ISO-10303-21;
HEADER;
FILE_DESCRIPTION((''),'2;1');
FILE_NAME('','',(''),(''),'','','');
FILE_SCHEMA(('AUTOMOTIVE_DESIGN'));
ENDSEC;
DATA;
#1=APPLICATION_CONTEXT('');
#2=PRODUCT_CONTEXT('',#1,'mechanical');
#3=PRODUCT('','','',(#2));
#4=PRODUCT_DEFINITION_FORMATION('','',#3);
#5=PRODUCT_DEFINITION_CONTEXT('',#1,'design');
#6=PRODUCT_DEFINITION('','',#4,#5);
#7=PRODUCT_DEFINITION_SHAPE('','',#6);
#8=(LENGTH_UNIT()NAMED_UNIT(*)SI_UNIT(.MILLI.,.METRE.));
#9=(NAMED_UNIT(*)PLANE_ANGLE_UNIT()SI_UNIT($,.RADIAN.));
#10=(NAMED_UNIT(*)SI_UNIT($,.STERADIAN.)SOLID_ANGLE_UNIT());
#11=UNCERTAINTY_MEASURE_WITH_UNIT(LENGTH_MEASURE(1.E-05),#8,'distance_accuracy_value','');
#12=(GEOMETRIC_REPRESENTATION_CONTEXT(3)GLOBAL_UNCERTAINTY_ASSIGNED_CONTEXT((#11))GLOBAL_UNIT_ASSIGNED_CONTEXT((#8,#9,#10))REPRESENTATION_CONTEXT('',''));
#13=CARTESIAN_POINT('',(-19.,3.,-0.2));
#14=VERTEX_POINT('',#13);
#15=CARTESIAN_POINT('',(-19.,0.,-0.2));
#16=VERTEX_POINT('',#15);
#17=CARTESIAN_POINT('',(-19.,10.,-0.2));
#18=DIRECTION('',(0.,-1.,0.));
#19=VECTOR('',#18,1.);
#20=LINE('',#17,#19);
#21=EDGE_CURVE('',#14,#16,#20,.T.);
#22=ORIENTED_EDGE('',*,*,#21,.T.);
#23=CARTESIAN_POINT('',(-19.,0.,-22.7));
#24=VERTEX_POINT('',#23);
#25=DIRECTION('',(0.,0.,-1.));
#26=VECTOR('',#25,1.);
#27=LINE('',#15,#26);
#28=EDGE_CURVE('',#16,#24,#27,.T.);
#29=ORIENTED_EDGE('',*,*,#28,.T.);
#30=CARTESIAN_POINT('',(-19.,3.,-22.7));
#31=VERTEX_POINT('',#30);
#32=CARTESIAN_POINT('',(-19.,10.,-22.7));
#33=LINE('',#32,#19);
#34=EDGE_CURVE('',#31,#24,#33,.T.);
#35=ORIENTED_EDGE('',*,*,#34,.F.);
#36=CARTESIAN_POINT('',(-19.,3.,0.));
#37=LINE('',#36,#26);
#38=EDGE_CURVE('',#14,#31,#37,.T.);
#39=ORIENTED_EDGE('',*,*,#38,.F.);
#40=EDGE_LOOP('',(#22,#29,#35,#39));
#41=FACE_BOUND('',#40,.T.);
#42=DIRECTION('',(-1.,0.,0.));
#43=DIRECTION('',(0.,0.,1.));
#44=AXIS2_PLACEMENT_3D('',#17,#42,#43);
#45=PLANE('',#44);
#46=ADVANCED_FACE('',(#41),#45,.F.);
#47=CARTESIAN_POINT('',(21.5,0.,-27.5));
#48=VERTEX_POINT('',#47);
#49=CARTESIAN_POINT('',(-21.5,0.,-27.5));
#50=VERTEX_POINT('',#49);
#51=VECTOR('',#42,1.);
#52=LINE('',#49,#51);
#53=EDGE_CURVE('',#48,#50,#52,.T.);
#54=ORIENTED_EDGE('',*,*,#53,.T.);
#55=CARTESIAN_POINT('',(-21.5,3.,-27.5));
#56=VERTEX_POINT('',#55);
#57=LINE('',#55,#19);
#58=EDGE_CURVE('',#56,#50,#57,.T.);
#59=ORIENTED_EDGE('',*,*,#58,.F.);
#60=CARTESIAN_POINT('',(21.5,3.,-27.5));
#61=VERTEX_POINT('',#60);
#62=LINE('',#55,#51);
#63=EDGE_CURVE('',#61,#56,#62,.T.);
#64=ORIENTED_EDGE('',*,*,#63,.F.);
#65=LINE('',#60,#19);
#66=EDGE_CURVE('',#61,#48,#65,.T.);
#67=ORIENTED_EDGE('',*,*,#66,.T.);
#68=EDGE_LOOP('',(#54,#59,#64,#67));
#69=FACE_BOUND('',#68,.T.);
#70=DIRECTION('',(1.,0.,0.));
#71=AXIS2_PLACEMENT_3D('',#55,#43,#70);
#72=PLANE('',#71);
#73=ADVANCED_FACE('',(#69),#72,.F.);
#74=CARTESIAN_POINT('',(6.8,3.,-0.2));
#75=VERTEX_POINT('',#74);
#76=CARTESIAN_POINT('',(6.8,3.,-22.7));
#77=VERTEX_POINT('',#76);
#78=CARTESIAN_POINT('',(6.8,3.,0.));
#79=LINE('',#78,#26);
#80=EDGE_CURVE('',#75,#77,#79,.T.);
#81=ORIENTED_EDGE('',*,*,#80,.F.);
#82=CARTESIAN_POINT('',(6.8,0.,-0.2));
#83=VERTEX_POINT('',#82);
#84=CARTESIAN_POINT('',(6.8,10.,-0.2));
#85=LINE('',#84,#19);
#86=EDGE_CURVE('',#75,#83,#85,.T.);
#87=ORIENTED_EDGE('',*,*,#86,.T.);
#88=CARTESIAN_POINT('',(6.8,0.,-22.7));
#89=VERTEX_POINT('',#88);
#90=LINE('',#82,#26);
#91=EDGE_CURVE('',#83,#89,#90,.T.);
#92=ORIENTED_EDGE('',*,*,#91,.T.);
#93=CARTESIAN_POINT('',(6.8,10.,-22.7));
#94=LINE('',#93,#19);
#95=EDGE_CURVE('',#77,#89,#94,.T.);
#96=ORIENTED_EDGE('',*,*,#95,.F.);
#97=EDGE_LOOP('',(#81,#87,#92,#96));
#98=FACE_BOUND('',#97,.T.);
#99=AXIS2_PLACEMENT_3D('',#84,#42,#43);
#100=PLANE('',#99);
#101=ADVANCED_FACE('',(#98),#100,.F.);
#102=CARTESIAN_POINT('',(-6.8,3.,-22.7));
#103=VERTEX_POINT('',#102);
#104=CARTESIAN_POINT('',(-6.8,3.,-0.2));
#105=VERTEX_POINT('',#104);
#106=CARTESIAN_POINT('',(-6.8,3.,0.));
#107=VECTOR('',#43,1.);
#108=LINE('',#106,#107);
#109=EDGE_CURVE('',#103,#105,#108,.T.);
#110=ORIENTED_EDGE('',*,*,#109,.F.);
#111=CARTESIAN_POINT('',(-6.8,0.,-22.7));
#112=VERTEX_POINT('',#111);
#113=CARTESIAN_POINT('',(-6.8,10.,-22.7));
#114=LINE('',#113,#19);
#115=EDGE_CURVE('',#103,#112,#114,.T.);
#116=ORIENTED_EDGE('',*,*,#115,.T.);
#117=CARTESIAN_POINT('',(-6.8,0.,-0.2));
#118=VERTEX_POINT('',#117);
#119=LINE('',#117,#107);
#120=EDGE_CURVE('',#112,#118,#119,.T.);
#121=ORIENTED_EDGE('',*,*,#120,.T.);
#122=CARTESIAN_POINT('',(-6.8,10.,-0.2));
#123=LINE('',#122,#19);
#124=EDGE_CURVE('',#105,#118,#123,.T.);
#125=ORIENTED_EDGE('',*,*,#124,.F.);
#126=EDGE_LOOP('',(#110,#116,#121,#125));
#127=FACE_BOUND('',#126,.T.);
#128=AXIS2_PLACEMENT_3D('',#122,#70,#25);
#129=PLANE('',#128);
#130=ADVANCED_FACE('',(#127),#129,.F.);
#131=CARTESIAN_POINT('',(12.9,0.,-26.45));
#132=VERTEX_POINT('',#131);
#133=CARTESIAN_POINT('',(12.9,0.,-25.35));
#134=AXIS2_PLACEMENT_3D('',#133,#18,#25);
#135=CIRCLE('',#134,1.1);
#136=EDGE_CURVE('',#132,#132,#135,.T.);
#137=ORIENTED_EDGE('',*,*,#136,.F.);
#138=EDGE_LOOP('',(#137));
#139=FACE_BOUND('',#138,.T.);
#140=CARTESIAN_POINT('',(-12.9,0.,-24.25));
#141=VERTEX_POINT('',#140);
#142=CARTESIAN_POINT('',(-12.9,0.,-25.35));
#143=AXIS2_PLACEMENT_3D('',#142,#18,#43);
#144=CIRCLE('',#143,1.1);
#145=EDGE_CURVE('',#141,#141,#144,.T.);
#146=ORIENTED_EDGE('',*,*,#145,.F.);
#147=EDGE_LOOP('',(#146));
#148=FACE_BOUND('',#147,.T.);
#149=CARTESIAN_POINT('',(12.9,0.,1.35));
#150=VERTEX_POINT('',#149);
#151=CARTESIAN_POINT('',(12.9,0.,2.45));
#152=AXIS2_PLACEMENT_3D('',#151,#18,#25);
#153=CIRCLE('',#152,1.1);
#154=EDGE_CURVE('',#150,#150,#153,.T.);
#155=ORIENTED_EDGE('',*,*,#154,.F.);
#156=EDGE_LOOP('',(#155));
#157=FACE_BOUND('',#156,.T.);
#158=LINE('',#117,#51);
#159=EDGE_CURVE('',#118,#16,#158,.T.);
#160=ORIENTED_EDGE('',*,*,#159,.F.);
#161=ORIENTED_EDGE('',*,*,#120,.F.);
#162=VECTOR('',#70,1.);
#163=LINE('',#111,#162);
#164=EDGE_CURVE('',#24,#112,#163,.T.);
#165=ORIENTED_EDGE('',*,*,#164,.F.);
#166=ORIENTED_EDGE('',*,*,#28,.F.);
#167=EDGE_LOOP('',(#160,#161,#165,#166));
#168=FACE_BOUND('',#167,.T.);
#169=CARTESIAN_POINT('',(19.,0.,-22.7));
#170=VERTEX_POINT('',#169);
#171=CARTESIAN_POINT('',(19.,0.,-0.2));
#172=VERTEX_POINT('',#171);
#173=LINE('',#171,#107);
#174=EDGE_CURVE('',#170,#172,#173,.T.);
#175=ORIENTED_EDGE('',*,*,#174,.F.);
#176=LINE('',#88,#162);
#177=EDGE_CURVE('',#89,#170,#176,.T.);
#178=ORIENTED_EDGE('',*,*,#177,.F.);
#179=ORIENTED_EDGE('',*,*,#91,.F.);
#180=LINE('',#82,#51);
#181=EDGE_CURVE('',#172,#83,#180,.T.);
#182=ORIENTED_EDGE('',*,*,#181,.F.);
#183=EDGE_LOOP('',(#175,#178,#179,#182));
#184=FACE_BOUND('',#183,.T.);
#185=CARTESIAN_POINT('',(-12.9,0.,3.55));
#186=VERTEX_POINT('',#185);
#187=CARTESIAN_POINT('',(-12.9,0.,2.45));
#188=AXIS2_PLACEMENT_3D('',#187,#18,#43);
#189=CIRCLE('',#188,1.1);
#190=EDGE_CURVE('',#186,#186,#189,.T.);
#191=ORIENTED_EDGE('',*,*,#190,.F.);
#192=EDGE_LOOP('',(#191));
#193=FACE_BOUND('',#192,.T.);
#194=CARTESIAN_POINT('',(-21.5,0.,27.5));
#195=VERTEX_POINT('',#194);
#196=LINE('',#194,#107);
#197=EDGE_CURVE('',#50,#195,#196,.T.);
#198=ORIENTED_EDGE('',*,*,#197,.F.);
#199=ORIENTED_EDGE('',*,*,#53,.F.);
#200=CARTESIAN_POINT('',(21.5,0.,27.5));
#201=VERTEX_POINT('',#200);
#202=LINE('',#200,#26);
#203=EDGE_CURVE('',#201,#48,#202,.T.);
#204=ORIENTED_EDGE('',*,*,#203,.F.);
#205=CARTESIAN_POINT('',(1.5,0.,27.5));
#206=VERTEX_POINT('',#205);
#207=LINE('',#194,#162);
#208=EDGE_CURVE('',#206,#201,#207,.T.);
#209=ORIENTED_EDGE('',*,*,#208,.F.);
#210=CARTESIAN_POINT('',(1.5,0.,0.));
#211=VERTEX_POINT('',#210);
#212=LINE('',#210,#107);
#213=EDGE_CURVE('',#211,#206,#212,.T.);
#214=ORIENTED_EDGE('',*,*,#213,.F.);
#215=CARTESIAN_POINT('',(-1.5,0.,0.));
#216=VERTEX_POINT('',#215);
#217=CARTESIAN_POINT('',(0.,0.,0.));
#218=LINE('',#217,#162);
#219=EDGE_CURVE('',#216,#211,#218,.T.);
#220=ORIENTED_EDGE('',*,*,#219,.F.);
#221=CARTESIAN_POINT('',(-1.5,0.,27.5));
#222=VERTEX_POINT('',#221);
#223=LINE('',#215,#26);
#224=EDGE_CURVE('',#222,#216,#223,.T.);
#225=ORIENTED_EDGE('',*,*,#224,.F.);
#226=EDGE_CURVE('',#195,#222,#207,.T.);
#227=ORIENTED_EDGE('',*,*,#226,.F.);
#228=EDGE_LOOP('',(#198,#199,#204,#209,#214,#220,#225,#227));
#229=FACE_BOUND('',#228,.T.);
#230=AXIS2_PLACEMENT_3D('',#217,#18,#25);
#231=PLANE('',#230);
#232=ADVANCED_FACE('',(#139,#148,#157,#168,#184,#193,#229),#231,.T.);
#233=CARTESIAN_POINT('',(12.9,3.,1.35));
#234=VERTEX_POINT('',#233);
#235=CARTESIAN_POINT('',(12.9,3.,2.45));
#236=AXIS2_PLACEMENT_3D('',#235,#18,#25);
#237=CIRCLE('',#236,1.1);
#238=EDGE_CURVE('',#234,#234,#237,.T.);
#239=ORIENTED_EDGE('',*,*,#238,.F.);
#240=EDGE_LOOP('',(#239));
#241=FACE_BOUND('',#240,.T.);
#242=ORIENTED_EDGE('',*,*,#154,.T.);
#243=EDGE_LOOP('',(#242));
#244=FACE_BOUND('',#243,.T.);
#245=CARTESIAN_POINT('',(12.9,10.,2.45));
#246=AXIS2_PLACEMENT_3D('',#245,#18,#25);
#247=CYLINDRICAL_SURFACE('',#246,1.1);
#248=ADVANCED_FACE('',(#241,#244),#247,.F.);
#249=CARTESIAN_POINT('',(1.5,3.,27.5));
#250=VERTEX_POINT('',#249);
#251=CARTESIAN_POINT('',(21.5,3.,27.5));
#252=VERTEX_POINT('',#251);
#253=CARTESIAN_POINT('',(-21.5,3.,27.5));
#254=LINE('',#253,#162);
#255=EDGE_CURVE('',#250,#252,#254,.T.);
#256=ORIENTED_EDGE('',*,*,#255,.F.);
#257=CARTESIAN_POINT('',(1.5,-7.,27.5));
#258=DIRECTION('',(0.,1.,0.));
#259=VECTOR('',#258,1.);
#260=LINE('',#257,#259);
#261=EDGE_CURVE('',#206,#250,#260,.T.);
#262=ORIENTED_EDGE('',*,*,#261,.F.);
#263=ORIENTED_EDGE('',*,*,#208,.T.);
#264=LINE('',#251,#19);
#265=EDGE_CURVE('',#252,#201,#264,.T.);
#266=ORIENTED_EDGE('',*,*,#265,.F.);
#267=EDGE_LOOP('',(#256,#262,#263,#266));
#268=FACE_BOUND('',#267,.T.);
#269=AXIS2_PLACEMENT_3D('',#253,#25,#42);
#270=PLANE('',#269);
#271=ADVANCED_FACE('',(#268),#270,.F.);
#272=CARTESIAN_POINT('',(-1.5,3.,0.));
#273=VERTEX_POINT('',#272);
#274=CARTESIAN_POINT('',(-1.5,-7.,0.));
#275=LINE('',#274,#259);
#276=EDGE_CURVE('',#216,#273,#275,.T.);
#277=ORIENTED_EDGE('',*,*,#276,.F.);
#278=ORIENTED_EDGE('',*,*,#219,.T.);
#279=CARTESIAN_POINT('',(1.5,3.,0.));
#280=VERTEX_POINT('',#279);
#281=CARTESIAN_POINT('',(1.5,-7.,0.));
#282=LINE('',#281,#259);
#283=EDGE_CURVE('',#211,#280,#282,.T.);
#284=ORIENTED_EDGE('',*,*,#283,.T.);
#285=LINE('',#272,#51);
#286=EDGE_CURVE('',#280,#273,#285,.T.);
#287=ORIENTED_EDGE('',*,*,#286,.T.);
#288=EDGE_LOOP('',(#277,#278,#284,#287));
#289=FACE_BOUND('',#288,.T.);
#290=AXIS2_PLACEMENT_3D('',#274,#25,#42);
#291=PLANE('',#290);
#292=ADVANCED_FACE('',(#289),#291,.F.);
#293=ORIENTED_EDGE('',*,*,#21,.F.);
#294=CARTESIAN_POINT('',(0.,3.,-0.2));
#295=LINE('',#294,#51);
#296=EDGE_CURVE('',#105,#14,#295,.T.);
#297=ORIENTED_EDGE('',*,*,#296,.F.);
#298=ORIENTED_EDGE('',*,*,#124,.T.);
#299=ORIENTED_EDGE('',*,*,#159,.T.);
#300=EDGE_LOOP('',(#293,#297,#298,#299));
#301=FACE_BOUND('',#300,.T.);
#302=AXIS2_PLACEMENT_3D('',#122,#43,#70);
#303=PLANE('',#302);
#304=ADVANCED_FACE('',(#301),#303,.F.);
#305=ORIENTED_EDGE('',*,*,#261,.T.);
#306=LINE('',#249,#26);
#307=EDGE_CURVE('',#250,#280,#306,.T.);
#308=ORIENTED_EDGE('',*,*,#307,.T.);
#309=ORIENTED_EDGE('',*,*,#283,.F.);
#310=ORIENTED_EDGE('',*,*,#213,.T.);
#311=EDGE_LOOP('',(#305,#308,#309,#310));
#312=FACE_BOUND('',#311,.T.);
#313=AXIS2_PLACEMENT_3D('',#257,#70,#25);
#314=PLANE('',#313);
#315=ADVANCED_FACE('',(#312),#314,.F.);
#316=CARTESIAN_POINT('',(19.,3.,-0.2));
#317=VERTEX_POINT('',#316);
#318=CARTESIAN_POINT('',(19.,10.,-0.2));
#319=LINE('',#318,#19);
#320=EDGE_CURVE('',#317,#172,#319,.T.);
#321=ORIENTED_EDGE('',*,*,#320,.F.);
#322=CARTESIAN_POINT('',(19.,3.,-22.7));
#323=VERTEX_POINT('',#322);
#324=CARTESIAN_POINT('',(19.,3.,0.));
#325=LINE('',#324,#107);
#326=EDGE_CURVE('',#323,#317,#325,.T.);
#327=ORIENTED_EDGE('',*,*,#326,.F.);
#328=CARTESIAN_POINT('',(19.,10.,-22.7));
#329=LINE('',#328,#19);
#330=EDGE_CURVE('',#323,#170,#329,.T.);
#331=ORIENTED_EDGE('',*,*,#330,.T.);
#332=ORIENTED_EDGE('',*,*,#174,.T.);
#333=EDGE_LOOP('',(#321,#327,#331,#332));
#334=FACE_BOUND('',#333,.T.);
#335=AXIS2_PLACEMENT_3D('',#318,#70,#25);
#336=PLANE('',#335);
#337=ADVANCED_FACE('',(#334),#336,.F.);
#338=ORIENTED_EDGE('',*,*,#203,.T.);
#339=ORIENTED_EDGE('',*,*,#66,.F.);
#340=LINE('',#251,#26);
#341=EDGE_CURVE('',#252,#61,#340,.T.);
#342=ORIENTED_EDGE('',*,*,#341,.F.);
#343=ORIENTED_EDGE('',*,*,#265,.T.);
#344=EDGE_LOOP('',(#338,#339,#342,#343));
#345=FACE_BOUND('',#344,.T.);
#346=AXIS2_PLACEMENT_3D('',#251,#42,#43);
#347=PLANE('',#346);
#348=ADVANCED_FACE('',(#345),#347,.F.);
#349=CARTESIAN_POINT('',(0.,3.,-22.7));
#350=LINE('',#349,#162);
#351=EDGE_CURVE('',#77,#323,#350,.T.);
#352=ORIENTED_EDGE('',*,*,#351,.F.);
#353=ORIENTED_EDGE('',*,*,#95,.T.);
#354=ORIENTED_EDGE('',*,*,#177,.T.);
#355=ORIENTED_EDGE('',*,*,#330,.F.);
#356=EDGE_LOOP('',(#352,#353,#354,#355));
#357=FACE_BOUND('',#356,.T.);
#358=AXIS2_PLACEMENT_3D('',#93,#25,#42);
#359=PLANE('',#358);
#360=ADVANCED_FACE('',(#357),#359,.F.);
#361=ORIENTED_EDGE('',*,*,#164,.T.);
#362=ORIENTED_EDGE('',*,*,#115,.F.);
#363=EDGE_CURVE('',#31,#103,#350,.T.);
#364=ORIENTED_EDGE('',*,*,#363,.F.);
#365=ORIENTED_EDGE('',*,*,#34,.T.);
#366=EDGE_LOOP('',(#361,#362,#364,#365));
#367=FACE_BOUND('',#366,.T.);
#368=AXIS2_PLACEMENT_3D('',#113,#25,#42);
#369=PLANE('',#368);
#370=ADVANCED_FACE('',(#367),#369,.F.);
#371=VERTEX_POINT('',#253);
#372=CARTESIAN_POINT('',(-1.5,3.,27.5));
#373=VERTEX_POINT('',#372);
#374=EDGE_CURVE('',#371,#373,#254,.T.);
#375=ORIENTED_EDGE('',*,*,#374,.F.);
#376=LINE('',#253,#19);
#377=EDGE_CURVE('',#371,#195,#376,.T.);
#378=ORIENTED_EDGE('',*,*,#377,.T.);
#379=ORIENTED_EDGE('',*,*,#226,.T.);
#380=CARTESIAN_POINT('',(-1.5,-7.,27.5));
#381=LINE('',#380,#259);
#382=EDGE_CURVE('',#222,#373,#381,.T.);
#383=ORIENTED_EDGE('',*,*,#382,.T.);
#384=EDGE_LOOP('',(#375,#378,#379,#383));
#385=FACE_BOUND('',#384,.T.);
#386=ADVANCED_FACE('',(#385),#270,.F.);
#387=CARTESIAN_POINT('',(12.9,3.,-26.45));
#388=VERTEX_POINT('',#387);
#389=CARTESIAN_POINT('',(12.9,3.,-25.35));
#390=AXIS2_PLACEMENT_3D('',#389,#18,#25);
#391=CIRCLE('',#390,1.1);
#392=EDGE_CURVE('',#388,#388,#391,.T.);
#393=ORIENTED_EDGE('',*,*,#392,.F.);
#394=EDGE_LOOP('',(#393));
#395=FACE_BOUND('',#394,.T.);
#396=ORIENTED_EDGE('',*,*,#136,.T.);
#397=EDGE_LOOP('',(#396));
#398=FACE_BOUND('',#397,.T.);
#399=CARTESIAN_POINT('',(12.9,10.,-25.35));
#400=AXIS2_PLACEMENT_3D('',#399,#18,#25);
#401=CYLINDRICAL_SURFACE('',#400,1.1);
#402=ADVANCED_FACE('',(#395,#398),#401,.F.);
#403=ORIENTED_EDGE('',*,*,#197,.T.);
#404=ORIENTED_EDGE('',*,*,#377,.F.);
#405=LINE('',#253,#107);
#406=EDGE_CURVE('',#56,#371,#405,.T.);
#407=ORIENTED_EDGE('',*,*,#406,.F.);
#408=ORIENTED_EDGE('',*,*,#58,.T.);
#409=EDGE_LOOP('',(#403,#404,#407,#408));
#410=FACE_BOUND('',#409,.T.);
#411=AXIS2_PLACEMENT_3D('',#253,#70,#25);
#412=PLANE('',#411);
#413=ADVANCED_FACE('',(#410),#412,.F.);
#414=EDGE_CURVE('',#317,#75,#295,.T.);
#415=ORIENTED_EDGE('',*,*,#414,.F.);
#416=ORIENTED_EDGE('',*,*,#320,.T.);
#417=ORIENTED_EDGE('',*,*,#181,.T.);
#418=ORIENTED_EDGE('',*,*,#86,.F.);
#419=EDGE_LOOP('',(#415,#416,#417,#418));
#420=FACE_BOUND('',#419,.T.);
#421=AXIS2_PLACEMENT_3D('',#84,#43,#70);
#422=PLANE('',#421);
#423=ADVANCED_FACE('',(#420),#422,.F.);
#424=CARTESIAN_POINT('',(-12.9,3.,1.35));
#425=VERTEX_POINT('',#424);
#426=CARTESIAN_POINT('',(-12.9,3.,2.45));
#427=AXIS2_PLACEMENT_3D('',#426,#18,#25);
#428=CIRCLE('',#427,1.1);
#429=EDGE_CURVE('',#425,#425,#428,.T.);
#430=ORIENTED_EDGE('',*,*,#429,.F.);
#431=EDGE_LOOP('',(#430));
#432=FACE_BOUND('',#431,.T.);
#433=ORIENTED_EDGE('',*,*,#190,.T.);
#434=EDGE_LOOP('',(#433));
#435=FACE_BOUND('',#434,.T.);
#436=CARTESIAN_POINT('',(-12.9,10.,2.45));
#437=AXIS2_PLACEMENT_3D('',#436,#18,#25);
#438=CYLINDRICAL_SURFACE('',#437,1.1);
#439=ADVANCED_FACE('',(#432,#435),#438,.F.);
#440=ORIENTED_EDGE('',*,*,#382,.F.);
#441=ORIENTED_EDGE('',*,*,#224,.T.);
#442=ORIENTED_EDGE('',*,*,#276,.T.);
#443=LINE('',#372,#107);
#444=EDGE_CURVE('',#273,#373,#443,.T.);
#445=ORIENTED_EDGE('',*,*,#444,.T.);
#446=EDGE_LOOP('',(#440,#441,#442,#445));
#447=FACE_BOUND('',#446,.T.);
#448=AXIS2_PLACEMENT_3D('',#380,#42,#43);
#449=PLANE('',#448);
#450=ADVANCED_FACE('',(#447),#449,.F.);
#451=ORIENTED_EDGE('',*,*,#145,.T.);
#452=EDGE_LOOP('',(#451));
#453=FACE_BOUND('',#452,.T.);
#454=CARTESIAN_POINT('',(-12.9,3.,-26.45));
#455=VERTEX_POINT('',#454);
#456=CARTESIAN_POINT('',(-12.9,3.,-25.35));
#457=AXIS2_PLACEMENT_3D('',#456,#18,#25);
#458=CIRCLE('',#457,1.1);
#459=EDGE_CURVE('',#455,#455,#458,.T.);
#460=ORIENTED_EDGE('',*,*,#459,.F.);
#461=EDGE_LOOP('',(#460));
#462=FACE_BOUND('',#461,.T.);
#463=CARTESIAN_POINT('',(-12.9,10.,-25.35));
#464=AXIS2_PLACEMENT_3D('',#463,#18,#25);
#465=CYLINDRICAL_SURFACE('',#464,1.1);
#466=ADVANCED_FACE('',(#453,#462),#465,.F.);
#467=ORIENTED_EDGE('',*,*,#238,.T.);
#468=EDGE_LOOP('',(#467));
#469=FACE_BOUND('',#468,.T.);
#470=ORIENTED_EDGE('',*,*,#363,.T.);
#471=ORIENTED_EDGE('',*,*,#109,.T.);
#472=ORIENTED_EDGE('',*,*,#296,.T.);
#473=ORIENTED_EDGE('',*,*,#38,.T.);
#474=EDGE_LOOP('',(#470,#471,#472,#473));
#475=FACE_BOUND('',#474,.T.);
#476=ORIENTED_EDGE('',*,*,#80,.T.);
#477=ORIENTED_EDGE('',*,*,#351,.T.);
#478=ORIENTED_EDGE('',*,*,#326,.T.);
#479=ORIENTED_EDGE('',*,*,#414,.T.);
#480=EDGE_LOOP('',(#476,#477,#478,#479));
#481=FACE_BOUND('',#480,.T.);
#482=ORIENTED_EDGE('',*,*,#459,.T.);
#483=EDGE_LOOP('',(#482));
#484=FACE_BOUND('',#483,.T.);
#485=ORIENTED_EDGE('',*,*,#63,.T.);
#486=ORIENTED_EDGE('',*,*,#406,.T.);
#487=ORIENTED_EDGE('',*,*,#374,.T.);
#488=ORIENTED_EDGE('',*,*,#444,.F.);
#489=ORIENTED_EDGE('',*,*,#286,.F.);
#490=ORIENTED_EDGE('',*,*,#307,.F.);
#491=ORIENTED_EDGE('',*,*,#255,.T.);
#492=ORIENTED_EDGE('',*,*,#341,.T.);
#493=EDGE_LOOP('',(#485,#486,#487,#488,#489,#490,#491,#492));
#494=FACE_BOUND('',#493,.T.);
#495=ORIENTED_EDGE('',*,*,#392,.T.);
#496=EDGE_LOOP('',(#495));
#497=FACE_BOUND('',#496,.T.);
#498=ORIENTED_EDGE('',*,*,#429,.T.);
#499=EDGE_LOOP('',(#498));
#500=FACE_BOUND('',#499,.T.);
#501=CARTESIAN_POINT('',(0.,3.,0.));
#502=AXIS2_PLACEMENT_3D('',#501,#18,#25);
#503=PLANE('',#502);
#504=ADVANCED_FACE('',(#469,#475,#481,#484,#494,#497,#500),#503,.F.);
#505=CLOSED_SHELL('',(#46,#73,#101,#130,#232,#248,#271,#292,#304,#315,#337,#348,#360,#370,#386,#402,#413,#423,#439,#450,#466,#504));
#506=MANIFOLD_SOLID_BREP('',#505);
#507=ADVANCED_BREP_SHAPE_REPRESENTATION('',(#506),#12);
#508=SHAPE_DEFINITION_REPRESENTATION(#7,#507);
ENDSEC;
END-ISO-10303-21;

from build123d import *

# Parameters (mm, degrees)
SKETCH1_W           = 43
SKETCH1_H           = 55
BOSS_EXTRUDE1_DEPTH = 3
SKETCH2_W           = 3
SKETCH2_H           = 27.5
CUT_EXTRUDE1_DEPTH  = 10
SKETCH3_R           = 1.1
SKETCH3_W           = 12.2
SKETCH3_H           = 22.5
CUT_EXTRUDE2_DEPTH  = 10


with BuildPart() as part:
    # Sketch1 → Boss-Extrude1 (new body)
    with BuildSketch(Plane(origin=(0, 0, 0), x_dir=(1, 0, 0), z_dir=(0, 1, 0))):
        Rectangle(SKETCH1_W, SKETCH1_H)
    extrude(amount=BOSS_EXTRUDE1_DEPTH)

    # Sketch2 → Cut-Extrude1 (cut)
    with BuildSketch(Plane(origin=(0, 3, 0), x_dir=(1, 0, 0), z_dir=(0, 1, 0))):
        with Locations((0, -13.75)):
            Rectangle(SKETCH2_W, SKETCH2_H)
    extrude(amount=-CUT_EXTRUDE1_DEPTH, mode=Mode.SUBTRACT)

    # Sketch3 → Cut-Extrude2 (cut)
    with BuildSketch(Plane.XZ):
        with Locations(Location((12.9, -25.35, 0), (0, 0, 270))):
            Circle(SKETCH3_R)
        with Locations(Location((12.9, 2.45, 0), (0, 0, 270))):
            Circle(SKETCH3_R)
        with Locations(Location((-12.9, -25.35, 0), (0, 0, 270))):
            Circle(SKETCH3_R)
        with Locations(Location((-12.9, 2.45, 0), (0, 0, 270))):
            Circle(SKETCH3_R)
        with Locations((12.9, -11.45)):
            Rectangle(SKETCH3_W, SKETCH3_H)
        with Locations((-12.9, -11.45)):
            Rectangle(SKETCH3_W, SKETCH3_H)
    extrude(amount=-CUT_EXTRUDE2_DEPTH, mode=Mode.SUBTRACT)


solid = part.part
